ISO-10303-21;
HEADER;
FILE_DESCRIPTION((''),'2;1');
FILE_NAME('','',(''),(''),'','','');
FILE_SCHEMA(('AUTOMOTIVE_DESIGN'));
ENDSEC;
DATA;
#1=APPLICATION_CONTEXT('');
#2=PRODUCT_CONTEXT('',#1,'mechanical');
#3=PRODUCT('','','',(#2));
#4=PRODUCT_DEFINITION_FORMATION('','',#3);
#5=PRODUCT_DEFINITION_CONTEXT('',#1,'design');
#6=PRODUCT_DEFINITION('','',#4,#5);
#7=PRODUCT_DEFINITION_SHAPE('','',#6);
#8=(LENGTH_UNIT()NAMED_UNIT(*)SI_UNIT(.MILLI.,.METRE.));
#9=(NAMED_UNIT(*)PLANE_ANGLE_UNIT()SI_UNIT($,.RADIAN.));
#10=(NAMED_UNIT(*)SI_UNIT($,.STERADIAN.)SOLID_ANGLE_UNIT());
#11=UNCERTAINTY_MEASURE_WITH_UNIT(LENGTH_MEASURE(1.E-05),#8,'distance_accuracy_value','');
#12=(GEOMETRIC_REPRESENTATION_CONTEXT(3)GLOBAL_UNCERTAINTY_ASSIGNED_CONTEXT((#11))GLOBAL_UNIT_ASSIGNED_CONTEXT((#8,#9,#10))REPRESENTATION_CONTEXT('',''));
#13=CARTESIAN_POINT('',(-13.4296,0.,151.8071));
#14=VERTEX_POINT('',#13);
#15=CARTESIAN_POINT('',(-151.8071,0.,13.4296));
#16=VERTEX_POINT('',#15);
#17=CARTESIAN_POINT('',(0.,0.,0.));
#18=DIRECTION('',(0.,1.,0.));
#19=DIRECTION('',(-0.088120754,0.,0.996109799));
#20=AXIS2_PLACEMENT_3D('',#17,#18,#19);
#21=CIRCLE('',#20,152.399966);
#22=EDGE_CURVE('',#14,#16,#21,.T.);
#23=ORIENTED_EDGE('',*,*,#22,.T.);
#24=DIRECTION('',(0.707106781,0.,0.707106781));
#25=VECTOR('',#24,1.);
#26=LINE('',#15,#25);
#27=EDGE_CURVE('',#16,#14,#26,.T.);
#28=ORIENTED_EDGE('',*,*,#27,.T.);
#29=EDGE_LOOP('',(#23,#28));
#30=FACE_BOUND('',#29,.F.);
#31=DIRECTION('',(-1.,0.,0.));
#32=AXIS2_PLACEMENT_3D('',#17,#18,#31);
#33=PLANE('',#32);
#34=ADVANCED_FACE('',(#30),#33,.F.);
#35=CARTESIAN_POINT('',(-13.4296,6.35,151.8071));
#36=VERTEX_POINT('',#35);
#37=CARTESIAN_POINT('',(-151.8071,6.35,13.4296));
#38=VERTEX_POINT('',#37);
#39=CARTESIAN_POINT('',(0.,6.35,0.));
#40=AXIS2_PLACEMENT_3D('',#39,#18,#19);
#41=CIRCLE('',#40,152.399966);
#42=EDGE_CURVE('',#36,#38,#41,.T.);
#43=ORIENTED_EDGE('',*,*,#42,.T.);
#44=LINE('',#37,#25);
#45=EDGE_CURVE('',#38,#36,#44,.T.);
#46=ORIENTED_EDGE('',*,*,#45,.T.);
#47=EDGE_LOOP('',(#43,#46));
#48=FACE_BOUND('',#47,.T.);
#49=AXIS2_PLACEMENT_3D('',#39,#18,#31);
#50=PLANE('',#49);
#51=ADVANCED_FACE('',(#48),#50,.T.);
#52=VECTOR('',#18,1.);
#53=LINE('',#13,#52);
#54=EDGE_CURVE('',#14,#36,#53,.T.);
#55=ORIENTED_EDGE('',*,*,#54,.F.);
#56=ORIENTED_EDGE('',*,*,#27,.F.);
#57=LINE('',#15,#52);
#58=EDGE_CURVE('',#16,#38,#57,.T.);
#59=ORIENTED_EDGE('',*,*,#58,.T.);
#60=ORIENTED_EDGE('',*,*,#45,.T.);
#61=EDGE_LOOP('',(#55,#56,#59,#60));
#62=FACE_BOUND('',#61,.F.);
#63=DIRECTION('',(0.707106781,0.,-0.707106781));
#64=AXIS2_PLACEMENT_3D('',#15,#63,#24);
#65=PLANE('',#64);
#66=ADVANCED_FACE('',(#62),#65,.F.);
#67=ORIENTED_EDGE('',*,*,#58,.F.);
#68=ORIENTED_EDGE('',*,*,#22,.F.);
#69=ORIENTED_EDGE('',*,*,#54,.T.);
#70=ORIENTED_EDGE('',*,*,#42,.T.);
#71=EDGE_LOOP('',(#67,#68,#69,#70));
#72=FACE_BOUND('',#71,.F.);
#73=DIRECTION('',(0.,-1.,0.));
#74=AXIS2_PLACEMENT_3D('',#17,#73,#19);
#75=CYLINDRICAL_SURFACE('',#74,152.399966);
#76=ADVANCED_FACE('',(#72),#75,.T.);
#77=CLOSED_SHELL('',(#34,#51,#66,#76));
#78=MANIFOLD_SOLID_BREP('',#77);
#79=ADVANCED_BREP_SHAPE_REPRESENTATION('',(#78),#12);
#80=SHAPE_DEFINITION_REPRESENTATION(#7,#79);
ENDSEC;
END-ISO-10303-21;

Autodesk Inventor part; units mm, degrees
ref_plane "YZ Plane" through (0, 0, 0) normal (1, 0, 0) x (0, 1, 0)
ref_plane "XZ Plane" through (0, 0, 0) normal (0, 1, 0) x (-1, 0, 0)
ref_plane "XY Plane" through (0, 0, 0) normal (0, 0, 1) x (1, 0, 0)
sketch "Sketch1" plane through (0, 0, 0) normal (0, 1, 0) x (-1, 0, 0)
  arc A0 (13.4296, 151.8071) -> (151.8071, 13.4296) centre (0, 0) ccw
  line L0 (151.8071, 13.4296) -> (13.4296, 151.8071)
  dimension "d0" = 304.8
  dimension "d2" = 116.84
extrude "Extrusion1" add sketch "Sketch1" along normal blind 6.35
properties part number "keepout zone"
